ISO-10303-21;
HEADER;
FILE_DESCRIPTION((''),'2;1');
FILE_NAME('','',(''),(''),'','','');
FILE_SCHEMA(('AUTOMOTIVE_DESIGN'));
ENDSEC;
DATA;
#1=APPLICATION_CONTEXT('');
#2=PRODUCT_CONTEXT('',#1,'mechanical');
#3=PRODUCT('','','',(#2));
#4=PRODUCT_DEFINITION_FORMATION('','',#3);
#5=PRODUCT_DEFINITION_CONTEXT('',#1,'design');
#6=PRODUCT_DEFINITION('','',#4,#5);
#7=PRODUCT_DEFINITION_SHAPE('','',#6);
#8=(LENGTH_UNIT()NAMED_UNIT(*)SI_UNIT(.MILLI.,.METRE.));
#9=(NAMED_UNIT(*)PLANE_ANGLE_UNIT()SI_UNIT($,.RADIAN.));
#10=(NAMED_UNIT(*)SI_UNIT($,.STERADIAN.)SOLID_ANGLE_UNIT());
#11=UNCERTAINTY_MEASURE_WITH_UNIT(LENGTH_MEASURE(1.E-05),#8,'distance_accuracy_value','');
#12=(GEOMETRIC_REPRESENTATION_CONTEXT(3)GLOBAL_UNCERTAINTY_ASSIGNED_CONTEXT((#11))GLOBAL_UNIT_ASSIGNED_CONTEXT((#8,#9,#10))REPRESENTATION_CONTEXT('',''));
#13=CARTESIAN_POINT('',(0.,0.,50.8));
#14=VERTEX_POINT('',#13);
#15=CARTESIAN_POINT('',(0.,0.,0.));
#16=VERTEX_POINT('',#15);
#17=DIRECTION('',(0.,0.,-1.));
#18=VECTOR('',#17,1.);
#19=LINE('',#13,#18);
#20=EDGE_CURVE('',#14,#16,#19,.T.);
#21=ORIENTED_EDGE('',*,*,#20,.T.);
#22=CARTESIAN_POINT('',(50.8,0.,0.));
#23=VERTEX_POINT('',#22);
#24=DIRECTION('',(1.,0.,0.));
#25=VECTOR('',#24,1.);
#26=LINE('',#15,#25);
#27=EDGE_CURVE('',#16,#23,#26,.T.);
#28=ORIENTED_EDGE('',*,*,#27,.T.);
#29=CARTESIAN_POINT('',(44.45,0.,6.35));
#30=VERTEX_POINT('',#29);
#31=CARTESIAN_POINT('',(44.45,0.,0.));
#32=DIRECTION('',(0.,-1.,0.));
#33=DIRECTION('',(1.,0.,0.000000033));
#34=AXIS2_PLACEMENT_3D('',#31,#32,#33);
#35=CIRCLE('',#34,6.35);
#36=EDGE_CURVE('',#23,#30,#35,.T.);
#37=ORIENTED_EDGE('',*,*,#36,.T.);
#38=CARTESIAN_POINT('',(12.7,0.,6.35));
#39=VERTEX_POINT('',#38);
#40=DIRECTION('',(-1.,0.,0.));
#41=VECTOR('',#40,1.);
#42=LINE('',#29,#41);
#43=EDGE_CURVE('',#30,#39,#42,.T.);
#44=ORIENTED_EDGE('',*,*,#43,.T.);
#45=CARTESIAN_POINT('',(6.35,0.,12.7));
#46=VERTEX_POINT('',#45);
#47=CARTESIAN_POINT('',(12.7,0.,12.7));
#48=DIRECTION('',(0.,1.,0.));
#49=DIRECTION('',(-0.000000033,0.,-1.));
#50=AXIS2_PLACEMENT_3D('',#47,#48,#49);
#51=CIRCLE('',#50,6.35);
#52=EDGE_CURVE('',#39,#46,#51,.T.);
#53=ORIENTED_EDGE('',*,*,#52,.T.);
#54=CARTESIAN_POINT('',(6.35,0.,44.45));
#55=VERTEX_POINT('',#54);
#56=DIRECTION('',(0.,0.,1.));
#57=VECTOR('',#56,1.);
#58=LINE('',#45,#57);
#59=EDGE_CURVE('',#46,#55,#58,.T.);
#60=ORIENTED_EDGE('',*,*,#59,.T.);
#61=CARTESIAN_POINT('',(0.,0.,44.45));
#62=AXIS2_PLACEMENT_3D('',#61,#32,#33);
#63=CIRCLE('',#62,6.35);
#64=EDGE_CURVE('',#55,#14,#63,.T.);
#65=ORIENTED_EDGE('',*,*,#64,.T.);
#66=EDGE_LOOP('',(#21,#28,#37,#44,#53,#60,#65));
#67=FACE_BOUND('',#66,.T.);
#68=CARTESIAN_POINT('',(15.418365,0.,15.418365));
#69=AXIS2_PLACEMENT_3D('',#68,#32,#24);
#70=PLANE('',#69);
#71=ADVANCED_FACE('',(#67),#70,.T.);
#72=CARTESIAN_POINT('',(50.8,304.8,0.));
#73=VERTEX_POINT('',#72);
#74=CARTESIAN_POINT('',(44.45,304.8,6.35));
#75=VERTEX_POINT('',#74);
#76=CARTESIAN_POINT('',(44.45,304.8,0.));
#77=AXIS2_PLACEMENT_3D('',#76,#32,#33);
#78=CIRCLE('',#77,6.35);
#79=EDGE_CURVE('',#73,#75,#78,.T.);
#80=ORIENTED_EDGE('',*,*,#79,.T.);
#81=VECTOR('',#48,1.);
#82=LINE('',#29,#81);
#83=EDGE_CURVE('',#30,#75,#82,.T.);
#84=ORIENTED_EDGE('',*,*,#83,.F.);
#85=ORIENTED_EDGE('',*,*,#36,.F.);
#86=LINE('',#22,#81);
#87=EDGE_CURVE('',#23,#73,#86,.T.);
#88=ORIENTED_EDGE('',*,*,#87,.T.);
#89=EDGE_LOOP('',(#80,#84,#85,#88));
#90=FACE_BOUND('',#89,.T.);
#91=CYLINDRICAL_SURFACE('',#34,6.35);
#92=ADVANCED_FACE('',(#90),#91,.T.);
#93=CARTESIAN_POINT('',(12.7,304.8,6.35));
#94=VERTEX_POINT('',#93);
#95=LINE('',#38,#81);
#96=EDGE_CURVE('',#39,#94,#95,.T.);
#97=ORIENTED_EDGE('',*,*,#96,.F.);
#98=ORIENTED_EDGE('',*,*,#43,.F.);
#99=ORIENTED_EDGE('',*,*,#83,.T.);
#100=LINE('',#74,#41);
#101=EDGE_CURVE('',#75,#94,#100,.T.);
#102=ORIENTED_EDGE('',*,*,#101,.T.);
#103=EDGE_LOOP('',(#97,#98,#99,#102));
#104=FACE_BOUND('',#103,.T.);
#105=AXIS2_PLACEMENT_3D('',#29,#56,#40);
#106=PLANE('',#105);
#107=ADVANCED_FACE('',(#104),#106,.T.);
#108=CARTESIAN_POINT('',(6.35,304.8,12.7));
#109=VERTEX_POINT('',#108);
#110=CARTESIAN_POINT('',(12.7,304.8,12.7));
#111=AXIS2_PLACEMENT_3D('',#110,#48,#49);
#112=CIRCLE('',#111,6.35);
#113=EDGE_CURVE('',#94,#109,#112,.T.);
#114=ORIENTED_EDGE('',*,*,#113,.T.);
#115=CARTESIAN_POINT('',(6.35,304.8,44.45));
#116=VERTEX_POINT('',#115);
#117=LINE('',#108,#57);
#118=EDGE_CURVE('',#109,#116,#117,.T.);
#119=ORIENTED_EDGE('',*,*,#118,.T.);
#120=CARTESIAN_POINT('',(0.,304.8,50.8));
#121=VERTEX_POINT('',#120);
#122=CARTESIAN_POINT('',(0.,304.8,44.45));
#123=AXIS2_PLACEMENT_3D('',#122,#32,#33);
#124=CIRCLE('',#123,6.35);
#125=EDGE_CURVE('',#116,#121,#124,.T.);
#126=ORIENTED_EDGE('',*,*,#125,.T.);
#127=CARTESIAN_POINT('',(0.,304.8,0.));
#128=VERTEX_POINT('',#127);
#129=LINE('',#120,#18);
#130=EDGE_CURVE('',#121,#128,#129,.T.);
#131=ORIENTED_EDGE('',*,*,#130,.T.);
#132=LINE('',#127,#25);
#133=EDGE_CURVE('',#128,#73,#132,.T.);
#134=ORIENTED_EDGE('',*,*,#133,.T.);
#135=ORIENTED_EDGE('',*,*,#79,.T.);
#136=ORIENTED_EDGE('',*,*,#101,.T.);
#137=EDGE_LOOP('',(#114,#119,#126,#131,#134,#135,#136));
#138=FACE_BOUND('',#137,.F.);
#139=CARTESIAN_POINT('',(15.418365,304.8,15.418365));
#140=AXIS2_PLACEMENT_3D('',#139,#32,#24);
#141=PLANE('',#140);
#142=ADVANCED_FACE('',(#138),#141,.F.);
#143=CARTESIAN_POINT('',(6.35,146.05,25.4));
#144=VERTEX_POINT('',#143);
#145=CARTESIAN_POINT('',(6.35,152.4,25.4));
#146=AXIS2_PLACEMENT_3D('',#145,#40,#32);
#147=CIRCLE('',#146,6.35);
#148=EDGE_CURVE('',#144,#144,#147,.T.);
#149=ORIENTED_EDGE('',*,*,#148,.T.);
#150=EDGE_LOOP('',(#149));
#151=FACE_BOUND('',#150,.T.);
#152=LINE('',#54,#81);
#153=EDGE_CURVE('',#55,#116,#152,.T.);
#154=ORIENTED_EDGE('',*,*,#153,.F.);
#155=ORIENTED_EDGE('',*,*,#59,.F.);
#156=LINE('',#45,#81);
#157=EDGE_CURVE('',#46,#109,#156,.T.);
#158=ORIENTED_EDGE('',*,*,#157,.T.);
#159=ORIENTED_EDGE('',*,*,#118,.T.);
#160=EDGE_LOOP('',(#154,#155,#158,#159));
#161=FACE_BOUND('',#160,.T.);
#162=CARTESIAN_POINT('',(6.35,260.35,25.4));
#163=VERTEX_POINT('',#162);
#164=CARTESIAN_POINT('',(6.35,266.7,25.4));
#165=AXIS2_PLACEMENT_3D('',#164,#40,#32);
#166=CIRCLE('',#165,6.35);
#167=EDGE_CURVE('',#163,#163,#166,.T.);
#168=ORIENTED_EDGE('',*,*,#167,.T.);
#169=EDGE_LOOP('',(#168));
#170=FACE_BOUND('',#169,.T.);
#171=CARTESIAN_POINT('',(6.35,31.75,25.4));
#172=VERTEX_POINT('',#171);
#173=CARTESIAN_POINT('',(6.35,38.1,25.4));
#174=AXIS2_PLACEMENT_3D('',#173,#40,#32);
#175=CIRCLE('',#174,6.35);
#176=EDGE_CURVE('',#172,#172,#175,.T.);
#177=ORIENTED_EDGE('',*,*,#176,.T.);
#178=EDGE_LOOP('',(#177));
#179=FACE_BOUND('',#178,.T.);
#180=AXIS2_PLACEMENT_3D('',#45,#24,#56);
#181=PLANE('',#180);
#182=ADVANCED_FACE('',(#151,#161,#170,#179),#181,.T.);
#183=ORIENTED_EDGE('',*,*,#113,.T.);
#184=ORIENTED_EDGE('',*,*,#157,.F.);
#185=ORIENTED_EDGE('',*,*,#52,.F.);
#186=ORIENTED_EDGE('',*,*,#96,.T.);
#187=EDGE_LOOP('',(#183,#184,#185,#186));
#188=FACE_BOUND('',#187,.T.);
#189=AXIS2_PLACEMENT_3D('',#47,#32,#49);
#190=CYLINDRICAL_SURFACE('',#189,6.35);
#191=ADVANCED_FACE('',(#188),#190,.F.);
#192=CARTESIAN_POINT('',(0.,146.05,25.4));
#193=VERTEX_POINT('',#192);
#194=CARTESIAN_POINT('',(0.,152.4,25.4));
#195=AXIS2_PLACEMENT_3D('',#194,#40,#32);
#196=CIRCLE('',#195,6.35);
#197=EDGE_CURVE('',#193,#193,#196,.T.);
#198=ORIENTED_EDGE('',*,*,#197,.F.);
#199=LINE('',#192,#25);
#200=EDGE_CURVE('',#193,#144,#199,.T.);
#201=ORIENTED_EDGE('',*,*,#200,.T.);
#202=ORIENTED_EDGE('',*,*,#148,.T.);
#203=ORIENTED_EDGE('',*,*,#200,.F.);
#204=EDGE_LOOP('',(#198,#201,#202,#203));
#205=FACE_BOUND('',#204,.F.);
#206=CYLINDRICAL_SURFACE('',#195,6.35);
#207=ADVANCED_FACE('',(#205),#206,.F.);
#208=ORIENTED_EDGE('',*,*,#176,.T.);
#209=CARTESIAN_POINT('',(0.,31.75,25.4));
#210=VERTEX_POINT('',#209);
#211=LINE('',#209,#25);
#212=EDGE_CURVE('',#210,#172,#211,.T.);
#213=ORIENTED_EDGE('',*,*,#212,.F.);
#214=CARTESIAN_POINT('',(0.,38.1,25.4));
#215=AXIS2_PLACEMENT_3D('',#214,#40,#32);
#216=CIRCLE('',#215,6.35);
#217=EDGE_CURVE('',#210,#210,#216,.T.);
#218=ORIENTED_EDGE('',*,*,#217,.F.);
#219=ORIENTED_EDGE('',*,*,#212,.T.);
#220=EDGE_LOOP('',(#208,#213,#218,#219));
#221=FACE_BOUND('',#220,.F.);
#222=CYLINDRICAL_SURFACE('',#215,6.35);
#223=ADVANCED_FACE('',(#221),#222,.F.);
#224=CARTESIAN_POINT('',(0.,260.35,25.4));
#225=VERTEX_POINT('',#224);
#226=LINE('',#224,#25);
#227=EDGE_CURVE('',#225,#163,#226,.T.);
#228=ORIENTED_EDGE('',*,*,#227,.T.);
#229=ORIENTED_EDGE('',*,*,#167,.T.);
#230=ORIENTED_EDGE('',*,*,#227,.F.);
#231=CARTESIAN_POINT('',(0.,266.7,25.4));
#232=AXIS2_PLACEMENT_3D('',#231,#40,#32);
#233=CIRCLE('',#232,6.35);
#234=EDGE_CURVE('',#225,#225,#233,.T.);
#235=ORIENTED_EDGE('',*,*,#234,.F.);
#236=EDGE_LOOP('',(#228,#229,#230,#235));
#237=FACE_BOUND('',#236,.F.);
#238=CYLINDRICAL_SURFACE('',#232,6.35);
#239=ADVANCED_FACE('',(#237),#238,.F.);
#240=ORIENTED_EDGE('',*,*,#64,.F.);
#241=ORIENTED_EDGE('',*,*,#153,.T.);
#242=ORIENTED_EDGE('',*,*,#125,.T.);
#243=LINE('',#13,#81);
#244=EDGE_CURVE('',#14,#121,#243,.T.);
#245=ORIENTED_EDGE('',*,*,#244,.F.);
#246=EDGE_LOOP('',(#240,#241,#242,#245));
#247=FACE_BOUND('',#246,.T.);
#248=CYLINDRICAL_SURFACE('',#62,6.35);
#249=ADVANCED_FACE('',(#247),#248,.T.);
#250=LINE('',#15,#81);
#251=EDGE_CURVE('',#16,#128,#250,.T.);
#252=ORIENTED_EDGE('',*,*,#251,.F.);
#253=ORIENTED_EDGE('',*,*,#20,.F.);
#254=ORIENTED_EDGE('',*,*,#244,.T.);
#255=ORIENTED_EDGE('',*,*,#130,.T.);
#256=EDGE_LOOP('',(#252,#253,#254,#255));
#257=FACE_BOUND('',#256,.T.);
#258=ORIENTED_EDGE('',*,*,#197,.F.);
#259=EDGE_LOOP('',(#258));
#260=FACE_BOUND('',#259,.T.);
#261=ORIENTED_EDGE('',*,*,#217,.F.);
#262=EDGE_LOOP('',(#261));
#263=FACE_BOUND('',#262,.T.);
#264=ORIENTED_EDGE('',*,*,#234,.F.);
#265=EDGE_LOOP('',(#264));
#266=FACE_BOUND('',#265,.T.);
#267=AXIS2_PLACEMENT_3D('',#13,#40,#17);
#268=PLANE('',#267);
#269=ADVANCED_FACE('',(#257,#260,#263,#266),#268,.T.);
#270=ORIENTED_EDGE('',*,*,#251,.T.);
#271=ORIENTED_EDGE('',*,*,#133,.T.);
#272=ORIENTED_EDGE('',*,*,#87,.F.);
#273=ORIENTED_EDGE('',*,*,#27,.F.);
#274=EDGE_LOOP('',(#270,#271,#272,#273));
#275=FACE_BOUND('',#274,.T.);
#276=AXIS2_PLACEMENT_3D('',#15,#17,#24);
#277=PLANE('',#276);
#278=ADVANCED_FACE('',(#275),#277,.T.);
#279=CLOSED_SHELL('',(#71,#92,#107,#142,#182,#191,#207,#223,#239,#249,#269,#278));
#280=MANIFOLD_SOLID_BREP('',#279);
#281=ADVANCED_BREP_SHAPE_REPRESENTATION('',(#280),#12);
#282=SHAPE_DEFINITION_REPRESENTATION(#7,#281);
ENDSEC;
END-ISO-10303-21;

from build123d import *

# Parameters (mm, degrees)
F1_DEPTH = 304.8
F2_R     = 6.35
F3_DEPTH = 6.35
F4_R     = 6.35
F5_DEPTH = 6.35
F6_R     = 6.35
F7_DEPTH = 6.35


with BuildPart() as f1:
    # F0 (on Front) → F1 (new body)
    with BuildSketch(Plane.XZ):
        with BuildLine():
            Line((0, 50.8), (0, 0))
            Line((0, 0), (50.8, 0))
            ThreePointArc((50.8, 0), (48.940128, 4.490128), (44.45, 6.35))
            Line((44.45, 6.35), (12.7, 6.35))
            ThreePointArc((12.7, 6.35), (8.209872, 8.209872), (6.35, 12.7))
            Line((6.35, 12.7), (6.35, 44.45))
            ThreePointArc((6.35, 44.45), (4.490128, 48.940128), (0, 50.8))
        make_face()
    extrude(amount=-F1_DEPTH)

    # F2 (on face) → F3 (cut)
    with BuildSketch(Plane(origin=(0, 0, 0), x_dir=(0, -1, 0), z_dir=(-1, 0, 0))):
        with Locations((-38.1, 25.4)):
            Circle(F2_R)
    extrude(amount=-F3_DEPTH, mode=Mode.SUBTRACT)

    # F4 (on face) → F5 (cut)
    with BuildSketch(Plane(origin=(0, 0, 0), x_dir=(0, -1, 0), z_dir=(-1, 0, 0))):
        with Locations((-266.7, 25.4)):
            Circle(F4_R)
    extrude(amount=-F5_DEPTH, mode=Mode.SUBTRACT)

    # F6 (on face) → F7 (cut)
    with BuildSketch(Plane(origin=(0, 0, 0), x_dir=(0, -1, 0), z_dir=(-1, 0, 0))):
        with Locations((-152.4, 25.4)):
            Circle(F6_R)
    extrude(amount=-F7_DEPTH, mode=Mode.SUBTRACT)


solid = f1.part
